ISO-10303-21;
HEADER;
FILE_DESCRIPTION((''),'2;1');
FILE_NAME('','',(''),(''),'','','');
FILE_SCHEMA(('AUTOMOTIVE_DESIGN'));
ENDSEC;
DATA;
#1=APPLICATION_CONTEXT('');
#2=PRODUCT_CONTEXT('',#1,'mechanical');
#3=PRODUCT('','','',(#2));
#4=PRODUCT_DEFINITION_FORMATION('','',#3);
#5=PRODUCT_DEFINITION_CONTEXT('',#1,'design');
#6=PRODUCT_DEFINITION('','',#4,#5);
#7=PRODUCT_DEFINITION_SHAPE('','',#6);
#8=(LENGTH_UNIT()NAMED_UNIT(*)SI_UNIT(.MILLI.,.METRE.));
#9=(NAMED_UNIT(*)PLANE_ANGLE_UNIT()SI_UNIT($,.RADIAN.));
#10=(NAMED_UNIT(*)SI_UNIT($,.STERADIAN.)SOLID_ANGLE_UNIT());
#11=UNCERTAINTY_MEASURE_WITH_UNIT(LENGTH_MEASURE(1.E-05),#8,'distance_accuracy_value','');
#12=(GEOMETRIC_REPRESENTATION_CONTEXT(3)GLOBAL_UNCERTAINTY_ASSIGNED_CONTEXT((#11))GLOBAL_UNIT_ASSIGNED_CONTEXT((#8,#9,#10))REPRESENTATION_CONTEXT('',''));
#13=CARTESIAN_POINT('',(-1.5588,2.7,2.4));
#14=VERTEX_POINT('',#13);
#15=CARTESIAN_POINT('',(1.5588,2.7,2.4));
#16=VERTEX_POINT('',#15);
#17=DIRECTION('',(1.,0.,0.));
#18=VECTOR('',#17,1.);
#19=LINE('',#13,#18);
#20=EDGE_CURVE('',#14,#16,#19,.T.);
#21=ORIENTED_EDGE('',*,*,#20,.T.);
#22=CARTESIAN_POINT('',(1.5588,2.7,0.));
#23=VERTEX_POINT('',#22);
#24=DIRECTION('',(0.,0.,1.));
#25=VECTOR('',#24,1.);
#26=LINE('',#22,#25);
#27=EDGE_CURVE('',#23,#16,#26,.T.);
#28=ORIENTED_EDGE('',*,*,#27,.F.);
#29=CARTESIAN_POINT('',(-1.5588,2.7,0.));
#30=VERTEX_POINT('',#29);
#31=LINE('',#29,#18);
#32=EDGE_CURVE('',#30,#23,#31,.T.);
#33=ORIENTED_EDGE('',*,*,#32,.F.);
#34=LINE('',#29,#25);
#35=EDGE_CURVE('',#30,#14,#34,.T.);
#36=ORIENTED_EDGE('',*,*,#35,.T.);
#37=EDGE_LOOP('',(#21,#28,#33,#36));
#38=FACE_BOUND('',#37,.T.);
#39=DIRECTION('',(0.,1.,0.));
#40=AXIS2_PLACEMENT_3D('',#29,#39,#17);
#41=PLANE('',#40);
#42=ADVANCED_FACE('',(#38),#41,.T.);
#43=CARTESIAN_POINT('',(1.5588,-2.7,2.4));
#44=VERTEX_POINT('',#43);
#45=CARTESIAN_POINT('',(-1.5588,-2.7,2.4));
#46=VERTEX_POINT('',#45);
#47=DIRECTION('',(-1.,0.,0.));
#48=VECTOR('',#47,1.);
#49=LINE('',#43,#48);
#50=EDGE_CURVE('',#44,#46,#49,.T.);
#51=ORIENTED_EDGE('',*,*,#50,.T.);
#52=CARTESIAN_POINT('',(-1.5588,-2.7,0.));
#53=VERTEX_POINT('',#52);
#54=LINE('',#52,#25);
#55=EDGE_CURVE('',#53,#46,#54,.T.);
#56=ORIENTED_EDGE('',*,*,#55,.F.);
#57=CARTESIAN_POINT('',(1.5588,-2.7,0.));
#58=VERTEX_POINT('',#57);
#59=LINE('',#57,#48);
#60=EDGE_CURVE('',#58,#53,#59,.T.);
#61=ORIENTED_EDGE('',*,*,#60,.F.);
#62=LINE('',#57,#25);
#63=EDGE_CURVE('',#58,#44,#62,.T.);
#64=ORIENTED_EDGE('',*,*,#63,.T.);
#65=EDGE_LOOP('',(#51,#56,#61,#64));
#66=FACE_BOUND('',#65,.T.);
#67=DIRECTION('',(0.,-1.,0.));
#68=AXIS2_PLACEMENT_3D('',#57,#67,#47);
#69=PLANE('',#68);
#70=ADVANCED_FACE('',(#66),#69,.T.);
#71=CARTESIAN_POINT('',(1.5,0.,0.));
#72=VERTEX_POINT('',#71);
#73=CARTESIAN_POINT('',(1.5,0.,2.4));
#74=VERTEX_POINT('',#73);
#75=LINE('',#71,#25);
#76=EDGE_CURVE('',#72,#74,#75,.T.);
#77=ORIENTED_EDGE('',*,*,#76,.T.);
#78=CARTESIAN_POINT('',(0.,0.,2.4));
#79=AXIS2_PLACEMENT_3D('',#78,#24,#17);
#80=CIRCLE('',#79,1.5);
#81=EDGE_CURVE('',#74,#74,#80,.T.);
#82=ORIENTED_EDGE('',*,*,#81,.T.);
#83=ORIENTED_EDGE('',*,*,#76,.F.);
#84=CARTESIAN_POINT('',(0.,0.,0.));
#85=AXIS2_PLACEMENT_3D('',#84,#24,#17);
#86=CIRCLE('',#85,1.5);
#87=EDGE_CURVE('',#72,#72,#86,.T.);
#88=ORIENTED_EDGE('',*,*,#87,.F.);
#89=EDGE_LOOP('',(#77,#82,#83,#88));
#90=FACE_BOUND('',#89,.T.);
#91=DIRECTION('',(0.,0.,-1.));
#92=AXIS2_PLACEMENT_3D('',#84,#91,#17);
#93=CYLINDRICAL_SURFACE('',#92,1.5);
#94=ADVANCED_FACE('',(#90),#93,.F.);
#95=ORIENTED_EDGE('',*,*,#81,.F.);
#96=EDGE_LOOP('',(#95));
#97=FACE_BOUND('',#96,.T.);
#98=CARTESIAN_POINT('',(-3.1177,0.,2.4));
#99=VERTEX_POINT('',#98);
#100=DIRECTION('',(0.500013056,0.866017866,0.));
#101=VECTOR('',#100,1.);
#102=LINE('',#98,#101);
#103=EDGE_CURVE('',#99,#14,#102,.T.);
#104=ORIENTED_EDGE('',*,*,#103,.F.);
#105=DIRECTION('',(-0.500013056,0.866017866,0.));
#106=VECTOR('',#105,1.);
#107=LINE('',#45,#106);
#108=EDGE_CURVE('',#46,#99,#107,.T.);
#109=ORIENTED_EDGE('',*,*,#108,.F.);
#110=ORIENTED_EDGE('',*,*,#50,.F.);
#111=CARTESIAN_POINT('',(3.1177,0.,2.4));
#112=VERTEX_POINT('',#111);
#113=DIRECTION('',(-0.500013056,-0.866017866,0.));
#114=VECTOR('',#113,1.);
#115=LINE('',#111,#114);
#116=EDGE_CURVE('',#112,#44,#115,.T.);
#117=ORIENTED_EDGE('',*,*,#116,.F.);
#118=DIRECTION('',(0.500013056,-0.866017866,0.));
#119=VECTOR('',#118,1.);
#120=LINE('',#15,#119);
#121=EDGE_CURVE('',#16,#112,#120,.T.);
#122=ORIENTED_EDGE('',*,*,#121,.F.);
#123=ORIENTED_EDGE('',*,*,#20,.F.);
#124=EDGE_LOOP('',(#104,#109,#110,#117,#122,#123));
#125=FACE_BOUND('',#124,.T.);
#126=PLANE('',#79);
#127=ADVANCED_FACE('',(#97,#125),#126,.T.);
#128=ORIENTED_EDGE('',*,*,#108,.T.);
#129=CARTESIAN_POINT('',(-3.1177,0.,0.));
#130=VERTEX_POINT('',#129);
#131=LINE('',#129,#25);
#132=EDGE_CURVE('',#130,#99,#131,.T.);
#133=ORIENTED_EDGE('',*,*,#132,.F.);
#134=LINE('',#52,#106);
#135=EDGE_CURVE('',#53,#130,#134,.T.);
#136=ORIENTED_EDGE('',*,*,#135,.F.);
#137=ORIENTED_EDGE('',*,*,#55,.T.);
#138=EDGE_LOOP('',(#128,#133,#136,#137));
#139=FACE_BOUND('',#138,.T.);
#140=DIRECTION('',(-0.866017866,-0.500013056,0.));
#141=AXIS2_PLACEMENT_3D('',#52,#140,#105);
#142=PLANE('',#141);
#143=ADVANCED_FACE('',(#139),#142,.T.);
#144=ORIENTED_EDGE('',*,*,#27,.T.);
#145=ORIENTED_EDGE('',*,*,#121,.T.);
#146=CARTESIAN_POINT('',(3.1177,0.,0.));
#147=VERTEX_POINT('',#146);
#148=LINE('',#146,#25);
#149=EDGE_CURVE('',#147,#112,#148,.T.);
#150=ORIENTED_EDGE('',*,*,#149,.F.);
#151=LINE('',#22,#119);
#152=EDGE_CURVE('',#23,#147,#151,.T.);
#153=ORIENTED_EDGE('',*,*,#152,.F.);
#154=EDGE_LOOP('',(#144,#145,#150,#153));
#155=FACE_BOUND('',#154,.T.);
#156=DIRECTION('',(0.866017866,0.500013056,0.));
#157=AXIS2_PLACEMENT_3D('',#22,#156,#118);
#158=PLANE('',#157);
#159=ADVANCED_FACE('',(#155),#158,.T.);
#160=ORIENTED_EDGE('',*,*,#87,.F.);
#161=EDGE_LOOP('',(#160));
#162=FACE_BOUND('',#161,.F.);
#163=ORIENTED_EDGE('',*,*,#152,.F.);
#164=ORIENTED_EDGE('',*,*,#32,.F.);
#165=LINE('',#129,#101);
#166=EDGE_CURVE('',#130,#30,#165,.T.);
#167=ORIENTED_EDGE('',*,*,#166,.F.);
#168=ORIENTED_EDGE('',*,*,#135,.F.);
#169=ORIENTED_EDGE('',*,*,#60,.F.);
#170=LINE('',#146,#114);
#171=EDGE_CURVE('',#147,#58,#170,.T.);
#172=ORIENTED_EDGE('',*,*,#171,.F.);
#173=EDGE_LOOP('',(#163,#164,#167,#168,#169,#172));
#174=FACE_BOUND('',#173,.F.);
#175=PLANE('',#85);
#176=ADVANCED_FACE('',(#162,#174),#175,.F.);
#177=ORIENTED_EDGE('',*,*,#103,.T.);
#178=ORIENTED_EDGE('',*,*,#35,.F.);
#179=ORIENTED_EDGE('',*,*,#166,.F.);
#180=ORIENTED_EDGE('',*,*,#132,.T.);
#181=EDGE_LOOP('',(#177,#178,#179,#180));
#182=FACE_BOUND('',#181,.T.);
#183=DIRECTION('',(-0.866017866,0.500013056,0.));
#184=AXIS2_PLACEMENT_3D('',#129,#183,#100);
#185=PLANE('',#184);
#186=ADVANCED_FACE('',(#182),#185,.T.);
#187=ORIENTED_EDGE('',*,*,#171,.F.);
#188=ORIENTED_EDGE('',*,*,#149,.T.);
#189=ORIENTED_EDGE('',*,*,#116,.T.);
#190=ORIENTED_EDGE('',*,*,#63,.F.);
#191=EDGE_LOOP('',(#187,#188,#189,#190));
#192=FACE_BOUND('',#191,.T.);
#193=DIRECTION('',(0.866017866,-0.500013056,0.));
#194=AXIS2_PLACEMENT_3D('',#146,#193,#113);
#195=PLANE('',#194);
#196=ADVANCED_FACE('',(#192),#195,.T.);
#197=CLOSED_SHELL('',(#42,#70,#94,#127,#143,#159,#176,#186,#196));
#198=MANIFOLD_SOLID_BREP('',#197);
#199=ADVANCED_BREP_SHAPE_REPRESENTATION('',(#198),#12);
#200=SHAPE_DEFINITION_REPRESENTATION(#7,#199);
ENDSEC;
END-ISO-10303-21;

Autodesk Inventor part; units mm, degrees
ref_plane "YZ Plane" through (0, 0, 0) normal (1, 0, 0) x (0, 1, 0)
ref_plane "XZ Plane" through (0, 0, 0) normal (0, 1, 0) x (-1, 0, 0)
ref_plane "XY Plane" through (0, 0, 0) normal (0, 0, 1) x (1, 0, 0)
sketch "Sketch3" plane through (0, 0, 0) normal (0, 0, 1) x (1, 0, 0)
  line L0 (1.5588, -2.7) -> (-1.5588, -2.7)
  line L1 (-1.5588, -2.7) -> (-3.1177, 0)
  line L2 (-3.1177, 0) -> (-1.5588, 2.7)
  line L3 (-1.5588, 2.7) -> (1.5588, 2.7)
  line L4 (1.5588, 2.7) -> (3.1177, 0)
  line L5 (3.1177, 0) -> (1.5588, -2.7)
  circle A0 centre (0, 0) radius 1.5
  dimension "d12" = 5.4
  dimension "d13" = 3
extrude "Extrusion4" add sketch "Sketch3" along normal blind 2.4
equation "\"d12\" = m3Nut_diam"
equation "\"d14\" = m3Nut_depth"
equation "\"m3Nut_diam\" = 5.4"
equation "\"m3Nut_depth\" = 2.4"
properties part number "m3Nut" material "Stainless Steel"
